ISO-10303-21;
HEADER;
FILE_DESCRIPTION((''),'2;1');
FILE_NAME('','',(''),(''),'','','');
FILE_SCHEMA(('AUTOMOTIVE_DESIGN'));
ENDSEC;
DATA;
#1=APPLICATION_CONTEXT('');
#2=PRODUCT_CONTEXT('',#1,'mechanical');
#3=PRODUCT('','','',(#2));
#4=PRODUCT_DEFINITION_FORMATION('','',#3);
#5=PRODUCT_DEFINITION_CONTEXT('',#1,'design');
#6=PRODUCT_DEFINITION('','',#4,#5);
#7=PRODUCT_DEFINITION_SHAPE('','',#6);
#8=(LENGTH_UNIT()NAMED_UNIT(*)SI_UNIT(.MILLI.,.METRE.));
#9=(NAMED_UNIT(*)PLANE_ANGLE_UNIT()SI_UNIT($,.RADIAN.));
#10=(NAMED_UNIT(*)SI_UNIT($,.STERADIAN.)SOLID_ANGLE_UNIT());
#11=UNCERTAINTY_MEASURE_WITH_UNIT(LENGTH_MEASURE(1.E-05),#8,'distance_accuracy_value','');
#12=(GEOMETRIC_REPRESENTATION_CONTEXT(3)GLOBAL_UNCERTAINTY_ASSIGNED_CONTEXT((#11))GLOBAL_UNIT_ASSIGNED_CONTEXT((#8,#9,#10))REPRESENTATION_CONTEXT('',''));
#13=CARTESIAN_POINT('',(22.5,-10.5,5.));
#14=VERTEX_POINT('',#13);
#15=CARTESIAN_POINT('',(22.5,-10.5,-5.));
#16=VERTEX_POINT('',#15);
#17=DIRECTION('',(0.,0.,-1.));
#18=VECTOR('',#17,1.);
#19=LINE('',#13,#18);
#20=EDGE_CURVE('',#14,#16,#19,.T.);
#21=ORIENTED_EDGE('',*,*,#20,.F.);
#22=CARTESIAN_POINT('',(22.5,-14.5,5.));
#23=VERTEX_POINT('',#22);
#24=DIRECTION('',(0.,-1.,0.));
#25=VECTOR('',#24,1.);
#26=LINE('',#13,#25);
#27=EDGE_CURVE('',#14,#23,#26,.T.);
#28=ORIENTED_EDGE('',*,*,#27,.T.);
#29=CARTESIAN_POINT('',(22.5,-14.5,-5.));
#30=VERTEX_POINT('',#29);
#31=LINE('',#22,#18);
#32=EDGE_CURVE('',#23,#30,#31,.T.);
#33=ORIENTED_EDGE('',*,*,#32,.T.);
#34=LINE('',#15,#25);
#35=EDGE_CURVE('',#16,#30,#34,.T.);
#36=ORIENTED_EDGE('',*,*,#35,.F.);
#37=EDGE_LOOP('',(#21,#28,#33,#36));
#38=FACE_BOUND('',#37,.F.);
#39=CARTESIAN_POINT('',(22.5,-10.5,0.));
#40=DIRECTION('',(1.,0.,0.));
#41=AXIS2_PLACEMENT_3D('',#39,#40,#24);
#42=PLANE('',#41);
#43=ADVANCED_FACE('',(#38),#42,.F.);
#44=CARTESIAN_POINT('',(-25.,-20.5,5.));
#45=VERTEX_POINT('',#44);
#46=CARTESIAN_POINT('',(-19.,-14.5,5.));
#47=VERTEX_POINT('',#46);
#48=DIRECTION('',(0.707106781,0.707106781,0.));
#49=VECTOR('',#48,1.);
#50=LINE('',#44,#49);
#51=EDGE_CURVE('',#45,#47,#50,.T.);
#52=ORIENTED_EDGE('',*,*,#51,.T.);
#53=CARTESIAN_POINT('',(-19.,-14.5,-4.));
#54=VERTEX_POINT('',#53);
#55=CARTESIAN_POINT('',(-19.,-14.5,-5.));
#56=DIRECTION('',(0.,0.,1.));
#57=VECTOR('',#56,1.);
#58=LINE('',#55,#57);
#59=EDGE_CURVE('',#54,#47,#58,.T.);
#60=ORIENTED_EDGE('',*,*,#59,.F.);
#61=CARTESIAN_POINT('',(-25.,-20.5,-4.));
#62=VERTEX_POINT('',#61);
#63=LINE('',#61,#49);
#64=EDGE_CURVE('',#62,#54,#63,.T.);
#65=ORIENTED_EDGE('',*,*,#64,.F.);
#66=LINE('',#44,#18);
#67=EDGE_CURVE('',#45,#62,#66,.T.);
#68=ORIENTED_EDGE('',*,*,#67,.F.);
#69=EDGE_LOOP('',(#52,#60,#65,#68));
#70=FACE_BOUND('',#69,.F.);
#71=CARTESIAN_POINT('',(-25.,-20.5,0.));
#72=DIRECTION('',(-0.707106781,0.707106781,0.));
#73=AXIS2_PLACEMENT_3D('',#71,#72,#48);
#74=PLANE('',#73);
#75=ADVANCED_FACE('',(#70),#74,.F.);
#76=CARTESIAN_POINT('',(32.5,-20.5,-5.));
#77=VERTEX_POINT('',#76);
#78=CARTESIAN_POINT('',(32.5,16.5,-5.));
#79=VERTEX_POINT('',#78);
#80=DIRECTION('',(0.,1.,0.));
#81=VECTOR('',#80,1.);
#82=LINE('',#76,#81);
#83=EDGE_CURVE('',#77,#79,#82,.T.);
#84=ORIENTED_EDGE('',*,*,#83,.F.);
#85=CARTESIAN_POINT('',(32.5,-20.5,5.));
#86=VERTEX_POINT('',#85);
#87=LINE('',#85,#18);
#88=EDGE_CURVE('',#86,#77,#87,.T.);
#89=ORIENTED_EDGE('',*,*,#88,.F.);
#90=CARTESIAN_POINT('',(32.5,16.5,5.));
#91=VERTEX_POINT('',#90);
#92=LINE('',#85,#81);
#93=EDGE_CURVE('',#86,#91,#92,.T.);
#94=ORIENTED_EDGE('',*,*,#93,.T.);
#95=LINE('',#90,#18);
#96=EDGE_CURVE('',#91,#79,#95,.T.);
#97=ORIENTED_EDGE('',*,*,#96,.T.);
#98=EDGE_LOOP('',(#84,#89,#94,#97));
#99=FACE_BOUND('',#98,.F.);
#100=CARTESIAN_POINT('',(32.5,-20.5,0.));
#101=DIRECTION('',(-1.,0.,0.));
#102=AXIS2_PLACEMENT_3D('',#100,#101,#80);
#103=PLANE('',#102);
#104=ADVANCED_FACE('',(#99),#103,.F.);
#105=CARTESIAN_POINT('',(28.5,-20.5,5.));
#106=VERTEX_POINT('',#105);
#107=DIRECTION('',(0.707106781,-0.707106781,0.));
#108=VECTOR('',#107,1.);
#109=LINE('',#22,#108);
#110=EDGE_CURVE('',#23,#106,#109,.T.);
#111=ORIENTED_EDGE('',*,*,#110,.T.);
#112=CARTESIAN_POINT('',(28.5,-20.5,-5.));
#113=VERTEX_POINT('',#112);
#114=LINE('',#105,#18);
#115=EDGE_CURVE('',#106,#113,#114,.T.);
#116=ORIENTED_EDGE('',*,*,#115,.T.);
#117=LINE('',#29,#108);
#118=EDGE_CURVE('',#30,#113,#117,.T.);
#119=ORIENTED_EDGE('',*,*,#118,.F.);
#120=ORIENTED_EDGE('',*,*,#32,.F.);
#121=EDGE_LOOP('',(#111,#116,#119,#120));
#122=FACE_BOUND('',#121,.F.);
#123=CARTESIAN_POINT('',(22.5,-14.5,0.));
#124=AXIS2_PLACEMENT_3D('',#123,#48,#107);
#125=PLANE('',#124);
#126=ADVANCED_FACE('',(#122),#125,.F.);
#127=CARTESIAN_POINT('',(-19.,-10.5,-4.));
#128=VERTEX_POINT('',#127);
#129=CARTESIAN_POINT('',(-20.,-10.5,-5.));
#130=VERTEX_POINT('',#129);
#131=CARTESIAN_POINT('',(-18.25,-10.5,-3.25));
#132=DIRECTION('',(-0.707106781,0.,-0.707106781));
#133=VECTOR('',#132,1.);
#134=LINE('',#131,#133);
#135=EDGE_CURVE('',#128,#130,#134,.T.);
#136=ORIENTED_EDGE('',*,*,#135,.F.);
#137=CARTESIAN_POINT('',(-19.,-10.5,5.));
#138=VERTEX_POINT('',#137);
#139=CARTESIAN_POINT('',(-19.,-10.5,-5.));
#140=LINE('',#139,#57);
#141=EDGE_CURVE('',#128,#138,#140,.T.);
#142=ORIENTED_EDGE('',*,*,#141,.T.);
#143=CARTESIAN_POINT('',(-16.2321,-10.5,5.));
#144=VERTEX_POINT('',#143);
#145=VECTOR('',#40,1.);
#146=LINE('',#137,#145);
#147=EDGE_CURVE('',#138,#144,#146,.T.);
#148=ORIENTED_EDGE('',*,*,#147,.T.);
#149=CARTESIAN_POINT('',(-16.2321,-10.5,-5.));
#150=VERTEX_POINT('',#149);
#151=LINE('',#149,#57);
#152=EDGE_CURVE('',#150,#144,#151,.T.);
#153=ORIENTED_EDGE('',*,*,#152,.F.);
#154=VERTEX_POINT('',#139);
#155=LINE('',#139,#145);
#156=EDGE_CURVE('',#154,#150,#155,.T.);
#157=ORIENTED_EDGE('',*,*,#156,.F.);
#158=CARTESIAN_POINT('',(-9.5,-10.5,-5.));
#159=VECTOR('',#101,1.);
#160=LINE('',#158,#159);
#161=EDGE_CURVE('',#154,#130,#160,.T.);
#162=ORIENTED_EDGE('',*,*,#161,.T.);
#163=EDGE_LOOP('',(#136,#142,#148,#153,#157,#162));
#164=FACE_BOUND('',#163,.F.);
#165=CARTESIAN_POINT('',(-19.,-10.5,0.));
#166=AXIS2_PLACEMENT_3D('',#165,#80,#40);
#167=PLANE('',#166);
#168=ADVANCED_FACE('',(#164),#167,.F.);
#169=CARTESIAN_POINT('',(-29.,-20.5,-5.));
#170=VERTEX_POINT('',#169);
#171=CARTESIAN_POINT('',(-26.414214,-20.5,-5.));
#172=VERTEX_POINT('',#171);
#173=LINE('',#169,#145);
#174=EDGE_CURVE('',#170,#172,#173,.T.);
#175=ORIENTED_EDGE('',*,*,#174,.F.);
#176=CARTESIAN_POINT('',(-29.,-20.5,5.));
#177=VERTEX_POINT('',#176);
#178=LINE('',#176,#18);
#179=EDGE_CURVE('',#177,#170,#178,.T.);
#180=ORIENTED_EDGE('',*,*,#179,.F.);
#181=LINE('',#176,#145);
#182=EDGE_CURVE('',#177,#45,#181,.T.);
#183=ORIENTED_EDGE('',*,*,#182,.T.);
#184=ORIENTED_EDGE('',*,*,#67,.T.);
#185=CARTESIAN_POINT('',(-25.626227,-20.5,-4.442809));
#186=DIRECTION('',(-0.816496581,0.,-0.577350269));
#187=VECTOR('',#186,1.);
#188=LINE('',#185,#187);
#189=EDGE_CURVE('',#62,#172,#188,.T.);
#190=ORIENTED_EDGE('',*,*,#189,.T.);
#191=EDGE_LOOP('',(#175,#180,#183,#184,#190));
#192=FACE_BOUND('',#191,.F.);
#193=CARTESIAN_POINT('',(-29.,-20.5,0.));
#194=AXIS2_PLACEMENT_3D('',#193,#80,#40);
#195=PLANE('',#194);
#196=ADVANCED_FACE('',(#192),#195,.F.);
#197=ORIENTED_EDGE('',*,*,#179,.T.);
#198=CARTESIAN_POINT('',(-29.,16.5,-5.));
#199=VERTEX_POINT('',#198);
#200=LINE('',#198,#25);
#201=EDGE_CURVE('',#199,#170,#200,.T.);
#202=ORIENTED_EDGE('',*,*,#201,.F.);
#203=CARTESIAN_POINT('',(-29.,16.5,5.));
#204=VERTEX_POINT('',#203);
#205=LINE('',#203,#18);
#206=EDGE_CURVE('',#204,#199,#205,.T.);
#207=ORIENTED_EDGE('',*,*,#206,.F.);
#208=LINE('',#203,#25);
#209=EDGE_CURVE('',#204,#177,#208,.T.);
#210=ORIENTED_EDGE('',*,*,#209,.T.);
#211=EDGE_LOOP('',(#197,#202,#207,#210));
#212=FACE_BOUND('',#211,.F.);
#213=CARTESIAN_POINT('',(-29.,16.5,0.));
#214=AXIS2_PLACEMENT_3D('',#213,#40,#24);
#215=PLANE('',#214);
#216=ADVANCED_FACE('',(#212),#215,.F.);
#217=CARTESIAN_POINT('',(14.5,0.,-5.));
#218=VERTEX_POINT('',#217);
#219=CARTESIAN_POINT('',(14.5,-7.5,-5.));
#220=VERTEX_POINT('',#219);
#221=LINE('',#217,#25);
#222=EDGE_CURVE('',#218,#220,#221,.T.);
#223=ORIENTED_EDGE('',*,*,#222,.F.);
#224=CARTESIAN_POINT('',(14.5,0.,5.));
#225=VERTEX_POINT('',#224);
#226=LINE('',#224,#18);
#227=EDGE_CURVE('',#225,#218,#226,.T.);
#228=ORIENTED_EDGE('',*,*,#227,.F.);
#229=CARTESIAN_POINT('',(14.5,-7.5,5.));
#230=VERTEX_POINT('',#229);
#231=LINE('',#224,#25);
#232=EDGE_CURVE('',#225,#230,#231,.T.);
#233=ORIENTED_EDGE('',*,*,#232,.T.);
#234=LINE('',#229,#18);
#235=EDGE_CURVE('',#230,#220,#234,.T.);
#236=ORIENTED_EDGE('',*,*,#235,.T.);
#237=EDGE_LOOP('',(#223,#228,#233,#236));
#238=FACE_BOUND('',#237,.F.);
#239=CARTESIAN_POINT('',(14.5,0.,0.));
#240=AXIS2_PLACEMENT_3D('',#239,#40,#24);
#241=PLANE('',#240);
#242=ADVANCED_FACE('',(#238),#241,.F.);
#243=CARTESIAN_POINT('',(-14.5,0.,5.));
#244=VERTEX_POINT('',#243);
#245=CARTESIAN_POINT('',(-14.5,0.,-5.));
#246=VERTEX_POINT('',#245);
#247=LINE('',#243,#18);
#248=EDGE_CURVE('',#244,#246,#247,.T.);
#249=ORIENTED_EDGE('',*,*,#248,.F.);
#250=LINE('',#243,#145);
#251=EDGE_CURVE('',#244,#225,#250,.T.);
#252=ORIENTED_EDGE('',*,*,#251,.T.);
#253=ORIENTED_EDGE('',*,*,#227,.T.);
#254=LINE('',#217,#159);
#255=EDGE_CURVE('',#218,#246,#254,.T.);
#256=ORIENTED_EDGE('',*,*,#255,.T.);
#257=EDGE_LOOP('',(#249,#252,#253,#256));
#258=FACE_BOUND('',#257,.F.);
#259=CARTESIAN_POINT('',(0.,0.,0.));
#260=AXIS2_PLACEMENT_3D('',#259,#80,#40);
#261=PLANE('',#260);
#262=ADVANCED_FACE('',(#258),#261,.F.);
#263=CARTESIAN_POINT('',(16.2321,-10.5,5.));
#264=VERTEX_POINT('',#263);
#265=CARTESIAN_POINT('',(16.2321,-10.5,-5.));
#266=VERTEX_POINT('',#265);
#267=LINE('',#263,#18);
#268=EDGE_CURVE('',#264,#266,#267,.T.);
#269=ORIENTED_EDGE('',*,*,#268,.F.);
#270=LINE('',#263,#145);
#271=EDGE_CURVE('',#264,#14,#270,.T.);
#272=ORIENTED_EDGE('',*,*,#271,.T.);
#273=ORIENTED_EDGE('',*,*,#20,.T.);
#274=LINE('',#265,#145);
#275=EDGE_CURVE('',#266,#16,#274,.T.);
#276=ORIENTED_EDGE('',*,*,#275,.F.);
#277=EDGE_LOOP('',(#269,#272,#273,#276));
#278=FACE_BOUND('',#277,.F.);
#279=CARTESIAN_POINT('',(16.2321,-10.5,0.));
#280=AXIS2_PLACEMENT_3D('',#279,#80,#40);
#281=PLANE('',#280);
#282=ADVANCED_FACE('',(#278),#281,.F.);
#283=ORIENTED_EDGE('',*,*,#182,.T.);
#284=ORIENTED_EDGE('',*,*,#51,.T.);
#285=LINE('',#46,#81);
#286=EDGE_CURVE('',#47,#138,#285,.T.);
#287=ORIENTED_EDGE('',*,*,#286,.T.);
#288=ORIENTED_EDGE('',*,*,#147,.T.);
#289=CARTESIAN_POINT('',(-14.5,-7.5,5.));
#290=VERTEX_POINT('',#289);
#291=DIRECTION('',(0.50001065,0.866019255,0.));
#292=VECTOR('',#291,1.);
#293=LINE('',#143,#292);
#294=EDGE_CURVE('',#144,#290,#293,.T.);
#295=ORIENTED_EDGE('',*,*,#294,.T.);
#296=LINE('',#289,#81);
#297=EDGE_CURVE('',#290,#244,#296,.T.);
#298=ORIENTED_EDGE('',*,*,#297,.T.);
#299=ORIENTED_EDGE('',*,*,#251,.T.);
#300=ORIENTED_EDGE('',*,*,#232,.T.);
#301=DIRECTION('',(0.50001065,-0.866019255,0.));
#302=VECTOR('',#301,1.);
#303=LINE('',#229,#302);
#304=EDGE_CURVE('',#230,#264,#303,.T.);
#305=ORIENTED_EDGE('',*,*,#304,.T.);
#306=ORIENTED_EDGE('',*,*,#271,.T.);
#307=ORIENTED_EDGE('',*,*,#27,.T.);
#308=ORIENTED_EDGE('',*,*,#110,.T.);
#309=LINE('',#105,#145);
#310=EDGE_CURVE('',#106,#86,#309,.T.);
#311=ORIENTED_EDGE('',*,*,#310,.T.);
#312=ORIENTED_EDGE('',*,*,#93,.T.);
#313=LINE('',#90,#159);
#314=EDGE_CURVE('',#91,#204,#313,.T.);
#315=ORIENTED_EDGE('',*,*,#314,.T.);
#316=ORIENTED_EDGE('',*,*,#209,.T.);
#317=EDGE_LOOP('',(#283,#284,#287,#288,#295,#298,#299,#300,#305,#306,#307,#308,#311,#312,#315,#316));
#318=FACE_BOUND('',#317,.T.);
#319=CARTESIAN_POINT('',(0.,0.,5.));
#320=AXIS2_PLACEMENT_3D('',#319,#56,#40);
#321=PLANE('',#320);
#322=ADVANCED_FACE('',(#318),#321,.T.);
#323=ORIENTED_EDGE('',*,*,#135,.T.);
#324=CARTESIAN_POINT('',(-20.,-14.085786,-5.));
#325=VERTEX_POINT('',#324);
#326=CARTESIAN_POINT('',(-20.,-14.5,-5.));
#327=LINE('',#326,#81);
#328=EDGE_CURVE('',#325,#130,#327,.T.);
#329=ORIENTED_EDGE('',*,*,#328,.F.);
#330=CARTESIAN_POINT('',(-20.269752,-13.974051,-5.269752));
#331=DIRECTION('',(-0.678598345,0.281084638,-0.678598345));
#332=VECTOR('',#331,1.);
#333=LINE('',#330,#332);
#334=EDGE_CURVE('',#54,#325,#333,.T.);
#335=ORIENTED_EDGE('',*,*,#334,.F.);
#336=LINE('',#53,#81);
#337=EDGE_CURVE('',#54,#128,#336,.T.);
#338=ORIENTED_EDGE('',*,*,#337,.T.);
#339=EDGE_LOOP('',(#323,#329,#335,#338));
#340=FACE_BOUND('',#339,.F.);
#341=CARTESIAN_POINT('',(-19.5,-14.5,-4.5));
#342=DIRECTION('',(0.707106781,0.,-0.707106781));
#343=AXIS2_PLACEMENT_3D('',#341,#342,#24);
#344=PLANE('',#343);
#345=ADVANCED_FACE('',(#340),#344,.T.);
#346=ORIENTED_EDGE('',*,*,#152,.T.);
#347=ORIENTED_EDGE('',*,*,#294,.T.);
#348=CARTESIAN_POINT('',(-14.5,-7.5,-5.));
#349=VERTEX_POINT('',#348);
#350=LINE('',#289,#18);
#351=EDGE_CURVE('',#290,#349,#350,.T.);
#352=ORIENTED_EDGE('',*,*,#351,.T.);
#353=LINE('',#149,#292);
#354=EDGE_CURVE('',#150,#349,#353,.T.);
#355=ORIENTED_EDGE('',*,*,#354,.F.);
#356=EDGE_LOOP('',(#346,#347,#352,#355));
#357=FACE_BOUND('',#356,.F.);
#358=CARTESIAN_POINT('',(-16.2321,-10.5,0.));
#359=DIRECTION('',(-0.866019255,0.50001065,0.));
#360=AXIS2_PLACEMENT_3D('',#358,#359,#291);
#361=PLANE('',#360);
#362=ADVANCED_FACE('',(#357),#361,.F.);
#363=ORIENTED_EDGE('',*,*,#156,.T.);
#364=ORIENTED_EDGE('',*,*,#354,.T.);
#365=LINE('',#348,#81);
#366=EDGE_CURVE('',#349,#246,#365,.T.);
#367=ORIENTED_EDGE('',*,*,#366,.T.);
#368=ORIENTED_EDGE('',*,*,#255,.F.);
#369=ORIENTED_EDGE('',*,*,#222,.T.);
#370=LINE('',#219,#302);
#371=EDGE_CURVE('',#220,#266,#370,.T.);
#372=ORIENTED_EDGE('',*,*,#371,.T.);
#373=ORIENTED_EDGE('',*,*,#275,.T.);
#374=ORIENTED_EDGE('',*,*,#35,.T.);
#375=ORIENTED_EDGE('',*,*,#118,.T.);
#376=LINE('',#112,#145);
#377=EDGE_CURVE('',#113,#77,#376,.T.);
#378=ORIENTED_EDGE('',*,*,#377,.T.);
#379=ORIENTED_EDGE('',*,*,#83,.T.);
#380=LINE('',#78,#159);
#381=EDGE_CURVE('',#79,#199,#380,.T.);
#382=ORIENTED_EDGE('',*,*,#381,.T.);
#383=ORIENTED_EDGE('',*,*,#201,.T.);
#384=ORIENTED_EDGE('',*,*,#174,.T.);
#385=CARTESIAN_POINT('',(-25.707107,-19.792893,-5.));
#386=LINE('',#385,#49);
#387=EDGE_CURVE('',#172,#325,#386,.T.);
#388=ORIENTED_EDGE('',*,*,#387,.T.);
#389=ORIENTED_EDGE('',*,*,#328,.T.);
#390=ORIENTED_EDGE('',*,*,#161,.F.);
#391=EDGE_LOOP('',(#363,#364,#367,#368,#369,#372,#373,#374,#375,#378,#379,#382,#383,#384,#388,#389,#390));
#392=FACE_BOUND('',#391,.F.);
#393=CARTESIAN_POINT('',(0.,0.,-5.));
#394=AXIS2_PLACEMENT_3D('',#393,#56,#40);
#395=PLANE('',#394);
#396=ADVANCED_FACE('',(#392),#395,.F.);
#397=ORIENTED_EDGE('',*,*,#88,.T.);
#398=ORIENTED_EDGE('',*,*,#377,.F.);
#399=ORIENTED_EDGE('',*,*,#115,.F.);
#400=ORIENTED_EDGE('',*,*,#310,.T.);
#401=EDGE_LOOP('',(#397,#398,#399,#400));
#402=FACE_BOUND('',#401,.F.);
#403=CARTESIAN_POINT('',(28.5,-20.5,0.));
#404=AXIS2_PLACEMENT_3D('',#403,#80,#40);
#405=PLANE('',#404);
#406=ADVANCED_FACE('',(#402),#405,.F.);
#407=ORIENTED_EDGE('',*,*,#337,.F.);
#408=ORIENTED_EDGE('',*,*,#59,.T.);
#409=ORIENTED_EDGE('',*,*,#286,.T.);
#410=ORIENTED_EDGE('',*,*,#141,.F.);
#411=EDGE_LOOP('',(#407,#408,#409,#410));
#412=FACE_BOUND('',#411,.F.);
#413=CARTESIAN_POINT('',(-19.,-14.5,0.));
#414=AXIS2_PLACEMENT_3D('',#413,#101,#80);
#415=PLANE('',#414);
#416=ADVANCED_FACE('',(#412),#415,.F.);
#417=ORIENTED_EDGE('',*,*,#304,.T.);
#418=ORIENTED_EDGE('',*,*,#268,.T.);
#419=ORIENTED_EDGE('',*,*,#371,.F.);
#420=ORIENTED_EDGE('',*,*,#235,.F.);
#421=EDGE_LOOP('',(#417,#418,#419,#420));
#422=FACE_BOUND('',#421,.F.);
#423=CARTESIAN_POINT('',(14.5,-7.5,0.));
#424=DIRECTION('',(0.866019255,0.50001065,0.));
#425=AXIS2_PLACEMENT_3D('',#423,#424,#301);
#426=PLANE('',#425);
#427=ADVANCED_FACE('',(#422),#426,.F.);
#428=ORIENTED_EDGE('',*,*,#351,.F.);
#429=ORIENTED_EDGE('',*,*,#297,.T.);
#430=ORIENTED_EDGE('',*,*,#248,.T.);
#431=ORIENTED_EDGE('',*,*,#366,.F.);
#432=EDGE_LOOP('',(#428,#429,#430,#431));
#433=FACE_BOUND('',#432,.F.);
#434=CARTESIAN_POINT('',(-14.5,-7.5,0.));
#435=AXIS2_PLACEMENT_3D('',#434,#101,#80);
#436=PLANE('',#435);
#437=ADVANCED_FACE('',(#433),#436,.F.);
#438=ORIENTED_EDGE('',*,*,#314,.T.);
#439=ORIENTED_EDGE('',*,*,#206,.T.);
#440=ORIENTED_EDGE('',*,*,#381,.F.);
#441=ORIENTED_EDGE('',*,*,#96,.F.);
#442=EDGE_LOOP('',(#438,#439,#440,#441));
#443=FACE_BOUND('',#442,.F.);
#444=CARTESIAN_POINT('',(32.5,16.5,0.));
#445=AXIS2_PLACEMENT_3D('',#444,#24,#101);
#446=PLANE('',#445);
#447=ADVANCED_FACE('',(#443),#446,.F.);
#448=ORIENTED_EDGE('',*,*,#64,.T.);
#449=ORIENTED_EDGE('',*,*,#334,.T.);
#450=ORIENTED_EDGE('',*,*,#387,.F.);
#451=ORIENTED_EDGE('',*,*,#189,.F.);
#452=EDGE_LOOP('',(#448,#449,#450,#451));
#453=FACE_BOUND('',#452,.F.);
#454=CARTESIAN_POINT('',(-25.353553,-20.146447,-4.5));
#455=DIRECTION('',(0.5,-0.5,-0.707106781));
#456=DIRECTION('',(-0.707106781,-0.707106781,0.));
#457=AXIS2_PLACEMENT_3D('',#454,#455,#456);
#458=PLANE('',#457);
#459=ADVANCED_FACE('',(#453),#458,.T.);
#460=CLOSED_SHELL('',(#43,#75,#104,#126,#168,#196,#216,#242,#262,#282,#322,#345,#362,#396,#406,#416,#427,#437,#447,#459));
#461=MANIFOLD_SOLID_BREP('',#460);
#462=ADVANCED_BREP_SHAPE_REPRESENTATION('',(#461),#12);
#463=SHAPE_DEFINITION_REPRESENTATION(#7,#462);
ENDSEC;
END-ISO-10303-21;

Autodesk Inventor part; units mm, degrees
ref_plane "YZ Plane" through (0, 0, 0) normal (1, 0, 0) x (0, 1, 0)
ref_plane "XZ Plane" through (0, 0, 0) normal (0, 1, 0) x (-1, 0, 0)
ref_plane "XY Plane" through (0, 0, 0) normal (0, 0, 1) x (1, 0, 0)
sketch "Skizze1" plane through (0, 0, 0) normal (0, 0, 1) x (1, 0, 0)
  line L0 (-19, -14.5) -> (-19, -10.5)
  line L1 (-19, -10.5) -> (-16.2321, -10.5)
  line L2 (-16.2321, -10.5) -> (-14.5, -7.5)
  line L3 (-14.5, -7.5) -> (-14.5, 0)
  line L4 (-14.5, 0) -> (14.5, 0)
  line L5 (14.5, 0) -> (14.5, -7.5)
  line L6 (14.5, -7.5) -> (16.2321, -10.5)
  line L7 (16.2321, -10.5) -> (22.5, -10.5)
  line L8 (22.5, -10.5) -> (22.5, -14.5)
  line L9 (22.5, -14.5) -> (28.5, -20.5)
  line L10 (28.5, -20.5) -> (32.5, -20.5)
  line L11 (32.5, -20.5) -> (32.5, 16.5)
  line L12 (32.5, 16.5) -> (-29, 16.5)
  line L13 (-29, 16.5) -> (-29, -20.5)
  line L14 (-29, -20.5) -> (-25, -20.5)
  line L15 (-25, -20.5) -> (-19, -14.5)
  line L16 (0, 0) -> (0, -29.3821)
  dimension "d5" = 29
  dimension "d6" = 16.5
  dimension "d7" = 7.5
  dimension "d8" = 4.5
  dimension "d10" = 41.5
  dimension "d12" = 30
  dimension "d13" = 10
  dimension "d14" = 10
  dimension "d15" = 10.5
  dimension "d16" = 45
  dimension "d17" = 10
  dimension "d18" = 4
extrude "Extrusion1" add sketch "Skizze1" along normal mid plane 10
chamfer "Fase1" distance 1 angle 45 2 edges at (-19, -12.5, -5) (-22, -17.5, -5)
properties part number "_WT_Aufnahme_Antriebseinheit4"
